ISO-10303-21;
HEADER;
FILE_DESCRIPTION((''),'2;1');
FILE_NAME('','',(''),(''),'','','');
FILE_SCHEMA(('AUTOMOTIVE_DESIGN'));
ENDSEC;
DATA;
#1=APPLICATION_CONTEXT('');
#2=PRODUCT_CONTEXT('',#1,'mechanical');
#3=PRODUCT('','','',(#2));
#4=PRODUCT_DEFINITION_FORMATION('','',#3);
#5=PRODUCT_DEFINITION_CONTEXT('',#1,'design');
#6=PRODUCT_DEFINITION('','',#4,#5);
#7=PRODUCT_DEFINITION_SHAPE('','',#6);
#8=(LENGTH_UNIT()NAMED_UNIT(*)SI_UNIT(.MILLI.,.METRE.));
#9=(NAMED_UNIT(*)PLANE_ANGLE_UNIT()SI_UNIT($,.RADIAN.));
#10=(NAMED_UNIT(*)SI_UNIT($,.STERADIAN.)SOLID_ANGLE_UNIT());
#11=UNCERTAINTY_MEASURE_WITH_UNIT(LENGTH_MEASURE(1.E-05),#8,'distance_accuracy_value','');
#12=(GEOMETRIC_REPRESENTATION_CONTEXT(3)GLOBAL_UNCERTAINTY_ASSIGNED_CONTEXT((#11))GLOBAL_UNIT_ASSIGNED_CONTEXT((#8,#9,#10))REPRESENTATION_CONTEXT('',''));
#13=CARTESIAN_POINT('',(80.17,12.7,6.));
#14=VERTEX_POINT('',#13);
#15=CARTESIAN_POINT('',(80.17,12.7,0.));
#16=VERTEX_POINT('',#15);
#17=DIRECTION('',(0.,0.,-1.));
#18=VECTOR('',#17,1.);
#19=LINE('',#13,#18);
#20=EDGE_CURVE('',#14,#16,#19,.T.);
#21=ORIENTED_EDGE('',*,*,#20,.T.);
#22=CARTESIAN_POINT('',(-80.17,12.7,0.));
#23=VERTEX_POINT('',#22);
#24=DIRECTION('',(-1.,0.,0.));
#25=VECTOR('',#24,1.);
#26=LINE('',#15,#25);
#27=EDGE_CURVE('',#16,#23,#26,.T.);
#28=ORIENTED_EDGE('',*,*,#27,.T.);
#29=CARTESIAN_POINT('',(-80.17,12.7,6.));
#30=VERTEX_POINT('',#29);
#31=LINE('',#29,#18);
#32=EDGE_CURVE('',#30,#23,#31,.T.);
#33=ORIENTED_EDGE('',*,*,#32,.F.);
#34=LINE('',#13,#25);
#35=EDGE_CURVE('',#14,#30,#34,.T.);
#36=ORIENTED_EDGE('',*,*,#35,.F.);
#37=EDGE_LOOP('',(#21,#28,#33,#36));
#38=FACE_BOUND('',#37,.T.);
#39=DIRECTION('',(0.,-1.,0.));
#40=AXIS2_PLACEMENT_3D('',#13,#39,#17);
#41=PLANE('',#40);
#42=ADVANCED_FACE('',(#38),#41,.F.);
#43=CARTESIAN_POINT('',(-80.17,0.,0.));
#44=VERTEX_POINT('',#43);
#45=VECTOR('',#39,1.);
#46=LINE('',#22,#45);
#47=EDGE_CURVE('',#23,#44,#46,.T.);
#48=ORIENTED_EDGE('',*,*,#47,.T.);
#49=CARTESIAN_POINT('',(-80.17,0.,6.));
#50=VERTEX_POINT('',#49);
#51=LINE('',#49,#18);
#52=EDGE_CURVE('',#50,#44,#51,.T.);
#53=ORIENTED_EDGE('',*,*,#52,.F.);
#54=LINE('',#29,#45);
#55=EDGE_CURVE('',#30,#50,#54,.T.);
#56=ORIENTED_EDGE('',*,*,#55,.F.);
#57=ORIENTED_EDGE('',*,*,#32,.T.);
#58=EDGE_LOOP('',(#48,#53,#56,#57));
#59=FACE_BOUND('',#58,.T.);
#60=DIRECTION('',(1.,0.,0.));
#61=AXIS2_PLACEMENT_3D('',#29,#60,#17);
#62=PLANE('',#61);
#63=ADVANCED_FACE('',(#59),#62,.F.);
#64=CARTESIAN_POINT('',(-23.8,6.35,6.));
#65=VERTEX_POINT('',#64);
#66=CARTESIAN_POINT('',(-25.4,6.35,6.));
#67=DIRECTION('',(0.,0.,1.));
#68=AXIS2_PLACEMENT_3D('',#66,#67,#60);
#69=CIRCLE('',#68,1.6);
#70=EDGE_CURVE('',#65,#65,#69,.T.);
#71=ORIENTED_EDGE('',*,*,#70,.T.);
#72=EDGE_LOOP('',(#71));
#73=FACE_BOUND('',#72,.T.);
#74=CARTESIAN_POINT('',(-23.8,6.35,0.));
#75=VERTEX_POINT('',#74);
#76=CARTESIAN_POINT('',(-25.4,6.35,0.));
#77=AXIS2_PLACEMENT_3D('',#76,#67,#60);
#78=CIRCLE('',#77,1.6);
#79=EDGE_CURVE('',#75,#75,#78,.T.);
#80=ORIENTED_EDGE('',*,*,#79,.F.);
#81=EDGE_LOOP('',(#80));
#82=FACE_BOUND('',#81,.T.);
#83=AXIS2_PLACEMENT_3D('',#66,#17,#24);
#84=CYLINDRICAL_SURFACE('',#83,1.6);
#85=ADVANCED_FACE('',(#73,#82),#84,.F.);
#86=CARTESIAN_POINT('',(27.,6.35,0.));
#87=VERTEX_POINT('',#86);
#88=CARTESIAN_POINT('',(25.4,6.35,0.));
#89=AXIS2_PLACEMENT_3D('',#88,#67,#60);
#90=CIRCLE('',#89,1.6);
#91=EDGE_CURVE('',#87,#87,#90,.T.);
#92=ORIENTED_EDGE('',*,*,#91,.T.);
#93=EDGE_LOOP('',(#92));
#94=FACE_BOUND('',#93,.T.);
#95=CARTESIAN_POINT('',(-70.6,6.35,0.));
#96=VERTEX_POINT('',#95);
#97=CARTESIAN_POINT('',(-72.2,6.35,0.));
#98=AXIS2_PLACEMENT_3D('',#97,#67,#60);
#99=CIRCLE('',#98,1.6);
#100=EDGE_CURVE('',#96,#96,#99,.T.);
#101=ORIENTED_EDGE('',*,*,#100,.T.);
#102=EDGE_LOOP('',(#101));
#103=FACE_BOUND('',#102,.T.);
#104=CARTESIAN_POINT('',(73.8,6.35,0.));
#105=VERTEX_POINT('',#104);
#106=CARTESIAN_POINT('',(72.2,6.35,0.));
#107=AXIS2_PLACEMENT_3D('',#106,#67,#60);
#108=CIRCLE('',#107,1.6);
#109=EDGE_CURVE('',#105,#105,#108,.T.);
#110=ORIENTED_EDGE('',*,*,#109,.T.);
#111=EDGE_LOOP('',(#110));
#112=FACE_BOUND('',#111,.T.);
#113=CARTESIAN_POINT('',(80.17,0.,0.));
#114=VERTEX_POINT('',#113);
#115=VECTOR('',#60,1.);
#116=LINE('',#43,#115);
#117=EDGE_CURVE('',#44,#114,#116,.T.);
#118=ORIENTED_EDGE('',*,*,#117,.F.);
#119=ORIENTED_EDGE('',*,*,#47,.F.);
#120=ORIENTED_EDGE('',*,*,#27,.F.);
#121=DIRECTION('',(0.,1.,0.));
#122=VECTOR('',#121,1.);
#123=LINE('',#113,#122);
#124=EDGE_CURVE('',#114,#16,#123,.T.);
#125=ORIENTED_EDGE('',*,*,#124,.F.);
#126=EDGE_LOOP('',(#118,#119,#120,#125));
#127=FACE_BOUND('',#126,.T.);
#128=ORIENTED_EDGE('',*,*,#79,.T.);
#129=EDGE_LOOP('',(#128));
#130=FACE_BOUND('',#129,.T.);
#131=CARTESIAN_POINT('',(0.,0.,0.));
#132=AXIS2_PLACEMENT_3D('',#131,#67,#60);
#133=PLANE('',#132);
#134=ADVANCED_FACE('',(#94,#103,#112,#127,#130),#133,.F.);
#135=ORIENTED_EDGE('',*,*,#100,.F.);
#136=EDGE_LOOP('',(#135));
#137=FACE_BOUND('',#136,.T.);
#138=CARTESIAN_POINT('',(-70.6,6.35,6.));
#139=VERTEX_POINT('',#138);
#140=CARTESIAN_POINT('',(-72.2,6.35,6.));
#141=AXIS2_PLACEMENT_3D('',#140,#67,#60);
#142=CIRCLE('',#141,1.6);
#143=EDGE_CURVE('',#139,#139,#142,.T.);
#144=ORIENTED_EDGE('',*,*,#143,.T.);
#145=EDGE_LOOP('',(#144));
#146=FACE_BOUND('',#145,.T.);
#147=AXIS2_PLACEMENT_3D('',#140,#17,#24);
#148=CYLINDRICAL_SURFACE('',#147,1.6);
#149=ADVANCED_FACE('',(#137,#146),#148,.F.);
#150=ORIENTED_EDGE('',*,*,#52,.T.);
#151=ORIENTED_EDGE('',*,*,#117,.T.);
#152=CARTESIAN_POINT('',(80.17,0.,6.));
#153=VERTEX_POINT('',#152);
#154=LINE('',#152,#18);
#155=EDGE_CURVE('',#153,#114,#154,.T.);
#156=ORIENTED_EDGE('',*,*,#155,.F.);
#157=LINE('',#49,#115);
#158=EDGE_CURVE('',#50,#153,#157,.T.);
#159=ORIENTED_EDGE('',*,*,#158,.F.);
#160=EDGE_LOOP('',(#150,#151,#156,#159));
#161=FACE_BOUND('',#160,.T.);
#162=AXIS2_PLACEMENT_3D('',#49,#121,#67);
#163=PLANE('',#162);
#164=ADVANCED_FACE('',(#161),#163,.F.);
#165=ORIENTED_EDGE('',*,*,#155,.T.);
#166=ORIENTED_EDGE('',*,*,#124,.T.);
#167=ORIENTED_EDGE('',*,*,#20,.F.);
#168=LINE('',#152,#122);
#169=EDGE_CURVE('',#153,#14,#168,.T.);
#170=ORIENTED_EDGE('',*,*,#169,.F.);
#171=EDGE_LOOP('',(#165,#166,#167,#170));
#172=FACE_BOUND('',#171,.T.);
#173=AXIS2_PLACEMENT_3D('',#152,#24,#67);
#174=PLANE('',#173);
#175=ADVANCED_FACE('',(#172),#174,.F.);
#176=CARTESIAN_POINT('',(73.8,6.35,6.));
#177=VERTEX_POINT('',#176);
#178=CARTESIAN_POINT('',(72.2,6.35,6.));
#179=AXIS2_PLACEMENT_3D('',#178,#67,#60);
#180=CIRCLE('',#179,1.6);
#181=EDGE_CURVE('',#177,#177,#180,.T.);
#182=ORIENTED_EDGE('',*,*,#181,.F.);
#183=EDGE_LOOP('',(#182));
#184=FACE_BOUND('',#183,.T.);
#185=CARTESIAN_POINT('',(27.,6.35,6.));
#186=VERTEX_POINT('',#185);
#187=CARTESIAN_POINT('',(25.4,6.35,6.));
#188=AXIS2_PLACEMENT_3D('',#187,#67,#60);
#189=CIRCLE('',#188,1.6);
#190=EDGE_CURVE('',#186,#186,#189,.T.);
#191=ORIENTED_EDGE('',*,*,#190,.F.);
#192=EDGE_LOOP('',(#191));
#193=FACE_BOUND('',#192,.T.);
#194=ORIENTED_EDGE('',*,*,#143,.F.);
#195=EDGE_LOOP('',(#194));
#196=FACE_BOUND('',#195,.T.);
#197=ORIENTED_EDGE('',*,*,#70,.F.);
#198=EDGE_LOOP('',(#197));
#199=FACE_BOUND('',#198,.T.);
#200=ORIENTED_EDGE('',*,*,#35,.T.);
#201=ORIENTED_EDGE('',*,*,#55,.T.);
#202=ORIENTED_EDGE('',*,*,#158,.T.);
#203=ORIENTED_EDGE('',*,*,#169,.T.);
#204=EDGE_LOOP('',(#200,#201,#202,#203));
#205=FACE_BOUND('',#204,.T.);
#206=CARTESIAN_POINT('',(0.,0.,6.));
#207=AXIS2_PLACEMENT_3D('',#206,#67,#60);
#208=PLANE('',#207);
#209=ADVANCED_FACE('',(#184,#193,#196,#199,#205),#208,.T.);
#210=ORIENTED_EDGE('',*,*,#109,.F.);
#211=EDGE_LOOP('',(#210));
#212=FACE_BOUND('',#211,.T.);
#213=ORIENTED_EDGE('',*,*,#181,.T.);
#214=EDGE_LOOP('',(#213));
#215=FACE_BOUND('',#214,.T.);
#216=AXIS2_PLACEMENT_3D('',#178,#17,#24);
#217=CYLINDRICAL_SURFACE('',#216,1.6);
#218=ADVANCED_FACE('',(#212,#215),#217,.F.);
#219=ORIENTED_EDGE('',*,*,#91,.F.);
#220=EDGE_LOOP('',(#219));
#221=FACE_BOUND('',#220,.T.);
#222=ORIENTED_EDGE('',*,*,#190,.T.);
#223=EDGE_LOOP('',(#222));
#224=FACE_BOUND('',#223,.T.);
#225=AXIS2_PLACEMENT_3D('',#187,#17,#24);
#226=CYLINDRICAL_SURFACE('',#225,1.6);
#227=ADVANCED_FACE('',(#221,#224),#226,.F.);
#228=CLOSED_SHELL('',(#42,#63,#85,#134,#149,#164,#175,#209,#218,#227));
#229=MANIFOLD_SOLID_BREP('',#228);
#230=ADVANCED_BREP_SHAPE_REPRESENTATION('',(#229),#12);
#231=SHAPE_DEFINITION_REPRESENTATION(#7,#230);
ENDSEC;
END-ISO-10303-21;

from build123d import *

# Parameters (mm, degrees)
SKETCH1_W           = 160.34
SKETCH1_H           = 12.7
SKETCH1_R           = 1.6
BOSS_EXTRUDE1_DEPTH = 6


with BuildPart() as part:
    # Sketch1 → Boss-Extrude1 (new body)
    with BuildSketch(Plane.XY):
        with Locations((0, 6.35)):
            Rectangle(SKETCH1_W, SKETCH1_H)
        with Locations((-72.2, 6.35)):
            Circle(SKETCH1_R, mode=Mode.SUBTRACT)
        with Locations((72.2, 6.35)):
            Circle(SKETCH1_R, mode=Mode.SUBTRACT)
        with Locations((-25.4, 6.35)):
            Circle(SKETCH1_R, mode=Mode.SUBTRACT)
        with Locations((25.4, 6.35)):
            Circle(SKETCH1_R, mode=Mode.SUBTRACT)
    extrude(amount=BOSS_EXTRUDE1_DEPTH)


solid = part.part
